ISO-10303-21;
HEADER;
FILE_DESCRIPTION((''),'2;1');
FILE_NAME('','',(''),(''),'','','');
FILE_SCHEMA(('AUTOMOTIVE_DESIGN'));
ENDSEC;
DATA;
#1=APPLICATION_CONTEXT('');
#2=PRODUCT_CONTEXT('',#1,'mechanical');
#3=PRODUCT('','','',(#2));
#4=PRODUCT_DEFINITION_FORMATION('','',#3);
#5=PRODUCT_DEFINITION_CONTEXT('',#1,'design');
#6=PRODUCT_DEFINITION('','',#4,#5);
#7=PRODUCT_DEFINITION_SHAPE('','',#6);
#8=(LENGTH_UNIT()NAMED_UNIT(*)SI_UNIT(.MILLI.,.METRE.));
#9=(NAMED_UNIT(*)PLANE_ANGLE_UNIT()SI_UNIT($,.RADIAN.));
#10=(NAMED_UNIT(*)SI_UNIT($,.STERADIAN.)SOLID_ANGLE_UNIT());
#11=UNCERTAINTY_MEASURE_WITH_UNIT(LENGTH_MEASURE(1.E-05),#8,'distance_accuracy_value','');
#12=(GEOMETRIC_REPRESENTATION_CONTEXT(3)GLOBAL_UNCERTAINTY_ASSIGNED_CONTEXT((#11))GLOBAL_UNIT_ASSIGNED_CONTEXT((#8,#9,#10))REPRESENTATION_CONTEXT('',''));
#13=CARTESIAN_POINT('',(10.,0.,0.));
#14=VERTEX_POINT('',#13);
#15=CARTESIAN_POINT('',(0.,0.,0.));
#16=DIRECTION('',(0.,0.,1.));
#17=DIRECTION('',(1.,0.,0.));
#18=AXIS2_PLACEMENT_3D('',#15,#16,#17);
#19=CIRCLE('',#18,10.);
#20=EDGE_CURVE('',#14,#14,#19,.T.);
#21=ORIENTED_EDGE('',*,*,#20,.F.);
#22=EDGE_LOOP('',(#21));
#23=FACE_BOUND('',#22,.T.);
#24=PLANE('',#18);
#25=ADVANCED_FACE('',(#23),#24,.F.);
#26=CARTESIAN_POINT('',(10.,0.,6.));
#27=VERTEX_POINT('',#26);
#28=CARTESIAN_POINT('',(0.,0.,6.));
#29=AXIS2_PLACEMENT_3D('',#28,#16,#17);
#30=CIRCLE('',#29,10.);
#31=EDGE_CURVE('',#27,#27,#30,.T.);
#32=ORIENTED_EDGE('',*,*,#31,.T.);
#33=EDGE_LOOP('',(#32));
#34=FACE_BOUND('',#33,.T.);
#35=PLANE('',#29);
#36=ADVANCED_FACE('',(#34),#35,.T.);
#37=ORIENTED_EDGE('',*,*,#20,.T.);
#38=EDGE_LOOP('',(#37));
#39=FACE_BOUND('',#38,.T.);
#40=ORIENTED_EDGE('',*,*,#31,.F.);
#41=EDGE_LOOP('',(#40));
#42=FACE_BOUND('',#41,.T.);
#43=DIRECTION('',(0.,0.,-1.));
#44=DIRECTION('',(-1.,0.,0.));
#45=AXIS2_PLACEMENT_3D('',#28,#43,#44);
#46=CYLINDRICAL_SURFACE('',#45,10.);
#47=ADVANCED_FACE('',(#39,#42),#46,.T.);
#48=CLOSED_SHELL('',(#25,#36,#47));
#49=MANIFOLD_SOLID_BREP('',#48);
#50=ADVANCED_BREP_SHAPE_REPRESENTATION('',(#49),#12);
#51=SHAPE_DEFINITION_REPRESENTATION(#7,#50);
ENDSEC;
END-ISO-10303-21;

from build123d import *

# Parameters (mm, degrees)
SKETCH1_R           = 10
BOSS_EXTRUDE1_DEPTH = 6


with BuildPart() as part:
    # Sketch1 → Boss-Extrude1 (new body)
    with BuildSketch(Plane.XY):
        Circle(SKETCH1_R)
    extrude(amount=BOSS_EXTRUDE1_DEPTH)


solid = part.part
